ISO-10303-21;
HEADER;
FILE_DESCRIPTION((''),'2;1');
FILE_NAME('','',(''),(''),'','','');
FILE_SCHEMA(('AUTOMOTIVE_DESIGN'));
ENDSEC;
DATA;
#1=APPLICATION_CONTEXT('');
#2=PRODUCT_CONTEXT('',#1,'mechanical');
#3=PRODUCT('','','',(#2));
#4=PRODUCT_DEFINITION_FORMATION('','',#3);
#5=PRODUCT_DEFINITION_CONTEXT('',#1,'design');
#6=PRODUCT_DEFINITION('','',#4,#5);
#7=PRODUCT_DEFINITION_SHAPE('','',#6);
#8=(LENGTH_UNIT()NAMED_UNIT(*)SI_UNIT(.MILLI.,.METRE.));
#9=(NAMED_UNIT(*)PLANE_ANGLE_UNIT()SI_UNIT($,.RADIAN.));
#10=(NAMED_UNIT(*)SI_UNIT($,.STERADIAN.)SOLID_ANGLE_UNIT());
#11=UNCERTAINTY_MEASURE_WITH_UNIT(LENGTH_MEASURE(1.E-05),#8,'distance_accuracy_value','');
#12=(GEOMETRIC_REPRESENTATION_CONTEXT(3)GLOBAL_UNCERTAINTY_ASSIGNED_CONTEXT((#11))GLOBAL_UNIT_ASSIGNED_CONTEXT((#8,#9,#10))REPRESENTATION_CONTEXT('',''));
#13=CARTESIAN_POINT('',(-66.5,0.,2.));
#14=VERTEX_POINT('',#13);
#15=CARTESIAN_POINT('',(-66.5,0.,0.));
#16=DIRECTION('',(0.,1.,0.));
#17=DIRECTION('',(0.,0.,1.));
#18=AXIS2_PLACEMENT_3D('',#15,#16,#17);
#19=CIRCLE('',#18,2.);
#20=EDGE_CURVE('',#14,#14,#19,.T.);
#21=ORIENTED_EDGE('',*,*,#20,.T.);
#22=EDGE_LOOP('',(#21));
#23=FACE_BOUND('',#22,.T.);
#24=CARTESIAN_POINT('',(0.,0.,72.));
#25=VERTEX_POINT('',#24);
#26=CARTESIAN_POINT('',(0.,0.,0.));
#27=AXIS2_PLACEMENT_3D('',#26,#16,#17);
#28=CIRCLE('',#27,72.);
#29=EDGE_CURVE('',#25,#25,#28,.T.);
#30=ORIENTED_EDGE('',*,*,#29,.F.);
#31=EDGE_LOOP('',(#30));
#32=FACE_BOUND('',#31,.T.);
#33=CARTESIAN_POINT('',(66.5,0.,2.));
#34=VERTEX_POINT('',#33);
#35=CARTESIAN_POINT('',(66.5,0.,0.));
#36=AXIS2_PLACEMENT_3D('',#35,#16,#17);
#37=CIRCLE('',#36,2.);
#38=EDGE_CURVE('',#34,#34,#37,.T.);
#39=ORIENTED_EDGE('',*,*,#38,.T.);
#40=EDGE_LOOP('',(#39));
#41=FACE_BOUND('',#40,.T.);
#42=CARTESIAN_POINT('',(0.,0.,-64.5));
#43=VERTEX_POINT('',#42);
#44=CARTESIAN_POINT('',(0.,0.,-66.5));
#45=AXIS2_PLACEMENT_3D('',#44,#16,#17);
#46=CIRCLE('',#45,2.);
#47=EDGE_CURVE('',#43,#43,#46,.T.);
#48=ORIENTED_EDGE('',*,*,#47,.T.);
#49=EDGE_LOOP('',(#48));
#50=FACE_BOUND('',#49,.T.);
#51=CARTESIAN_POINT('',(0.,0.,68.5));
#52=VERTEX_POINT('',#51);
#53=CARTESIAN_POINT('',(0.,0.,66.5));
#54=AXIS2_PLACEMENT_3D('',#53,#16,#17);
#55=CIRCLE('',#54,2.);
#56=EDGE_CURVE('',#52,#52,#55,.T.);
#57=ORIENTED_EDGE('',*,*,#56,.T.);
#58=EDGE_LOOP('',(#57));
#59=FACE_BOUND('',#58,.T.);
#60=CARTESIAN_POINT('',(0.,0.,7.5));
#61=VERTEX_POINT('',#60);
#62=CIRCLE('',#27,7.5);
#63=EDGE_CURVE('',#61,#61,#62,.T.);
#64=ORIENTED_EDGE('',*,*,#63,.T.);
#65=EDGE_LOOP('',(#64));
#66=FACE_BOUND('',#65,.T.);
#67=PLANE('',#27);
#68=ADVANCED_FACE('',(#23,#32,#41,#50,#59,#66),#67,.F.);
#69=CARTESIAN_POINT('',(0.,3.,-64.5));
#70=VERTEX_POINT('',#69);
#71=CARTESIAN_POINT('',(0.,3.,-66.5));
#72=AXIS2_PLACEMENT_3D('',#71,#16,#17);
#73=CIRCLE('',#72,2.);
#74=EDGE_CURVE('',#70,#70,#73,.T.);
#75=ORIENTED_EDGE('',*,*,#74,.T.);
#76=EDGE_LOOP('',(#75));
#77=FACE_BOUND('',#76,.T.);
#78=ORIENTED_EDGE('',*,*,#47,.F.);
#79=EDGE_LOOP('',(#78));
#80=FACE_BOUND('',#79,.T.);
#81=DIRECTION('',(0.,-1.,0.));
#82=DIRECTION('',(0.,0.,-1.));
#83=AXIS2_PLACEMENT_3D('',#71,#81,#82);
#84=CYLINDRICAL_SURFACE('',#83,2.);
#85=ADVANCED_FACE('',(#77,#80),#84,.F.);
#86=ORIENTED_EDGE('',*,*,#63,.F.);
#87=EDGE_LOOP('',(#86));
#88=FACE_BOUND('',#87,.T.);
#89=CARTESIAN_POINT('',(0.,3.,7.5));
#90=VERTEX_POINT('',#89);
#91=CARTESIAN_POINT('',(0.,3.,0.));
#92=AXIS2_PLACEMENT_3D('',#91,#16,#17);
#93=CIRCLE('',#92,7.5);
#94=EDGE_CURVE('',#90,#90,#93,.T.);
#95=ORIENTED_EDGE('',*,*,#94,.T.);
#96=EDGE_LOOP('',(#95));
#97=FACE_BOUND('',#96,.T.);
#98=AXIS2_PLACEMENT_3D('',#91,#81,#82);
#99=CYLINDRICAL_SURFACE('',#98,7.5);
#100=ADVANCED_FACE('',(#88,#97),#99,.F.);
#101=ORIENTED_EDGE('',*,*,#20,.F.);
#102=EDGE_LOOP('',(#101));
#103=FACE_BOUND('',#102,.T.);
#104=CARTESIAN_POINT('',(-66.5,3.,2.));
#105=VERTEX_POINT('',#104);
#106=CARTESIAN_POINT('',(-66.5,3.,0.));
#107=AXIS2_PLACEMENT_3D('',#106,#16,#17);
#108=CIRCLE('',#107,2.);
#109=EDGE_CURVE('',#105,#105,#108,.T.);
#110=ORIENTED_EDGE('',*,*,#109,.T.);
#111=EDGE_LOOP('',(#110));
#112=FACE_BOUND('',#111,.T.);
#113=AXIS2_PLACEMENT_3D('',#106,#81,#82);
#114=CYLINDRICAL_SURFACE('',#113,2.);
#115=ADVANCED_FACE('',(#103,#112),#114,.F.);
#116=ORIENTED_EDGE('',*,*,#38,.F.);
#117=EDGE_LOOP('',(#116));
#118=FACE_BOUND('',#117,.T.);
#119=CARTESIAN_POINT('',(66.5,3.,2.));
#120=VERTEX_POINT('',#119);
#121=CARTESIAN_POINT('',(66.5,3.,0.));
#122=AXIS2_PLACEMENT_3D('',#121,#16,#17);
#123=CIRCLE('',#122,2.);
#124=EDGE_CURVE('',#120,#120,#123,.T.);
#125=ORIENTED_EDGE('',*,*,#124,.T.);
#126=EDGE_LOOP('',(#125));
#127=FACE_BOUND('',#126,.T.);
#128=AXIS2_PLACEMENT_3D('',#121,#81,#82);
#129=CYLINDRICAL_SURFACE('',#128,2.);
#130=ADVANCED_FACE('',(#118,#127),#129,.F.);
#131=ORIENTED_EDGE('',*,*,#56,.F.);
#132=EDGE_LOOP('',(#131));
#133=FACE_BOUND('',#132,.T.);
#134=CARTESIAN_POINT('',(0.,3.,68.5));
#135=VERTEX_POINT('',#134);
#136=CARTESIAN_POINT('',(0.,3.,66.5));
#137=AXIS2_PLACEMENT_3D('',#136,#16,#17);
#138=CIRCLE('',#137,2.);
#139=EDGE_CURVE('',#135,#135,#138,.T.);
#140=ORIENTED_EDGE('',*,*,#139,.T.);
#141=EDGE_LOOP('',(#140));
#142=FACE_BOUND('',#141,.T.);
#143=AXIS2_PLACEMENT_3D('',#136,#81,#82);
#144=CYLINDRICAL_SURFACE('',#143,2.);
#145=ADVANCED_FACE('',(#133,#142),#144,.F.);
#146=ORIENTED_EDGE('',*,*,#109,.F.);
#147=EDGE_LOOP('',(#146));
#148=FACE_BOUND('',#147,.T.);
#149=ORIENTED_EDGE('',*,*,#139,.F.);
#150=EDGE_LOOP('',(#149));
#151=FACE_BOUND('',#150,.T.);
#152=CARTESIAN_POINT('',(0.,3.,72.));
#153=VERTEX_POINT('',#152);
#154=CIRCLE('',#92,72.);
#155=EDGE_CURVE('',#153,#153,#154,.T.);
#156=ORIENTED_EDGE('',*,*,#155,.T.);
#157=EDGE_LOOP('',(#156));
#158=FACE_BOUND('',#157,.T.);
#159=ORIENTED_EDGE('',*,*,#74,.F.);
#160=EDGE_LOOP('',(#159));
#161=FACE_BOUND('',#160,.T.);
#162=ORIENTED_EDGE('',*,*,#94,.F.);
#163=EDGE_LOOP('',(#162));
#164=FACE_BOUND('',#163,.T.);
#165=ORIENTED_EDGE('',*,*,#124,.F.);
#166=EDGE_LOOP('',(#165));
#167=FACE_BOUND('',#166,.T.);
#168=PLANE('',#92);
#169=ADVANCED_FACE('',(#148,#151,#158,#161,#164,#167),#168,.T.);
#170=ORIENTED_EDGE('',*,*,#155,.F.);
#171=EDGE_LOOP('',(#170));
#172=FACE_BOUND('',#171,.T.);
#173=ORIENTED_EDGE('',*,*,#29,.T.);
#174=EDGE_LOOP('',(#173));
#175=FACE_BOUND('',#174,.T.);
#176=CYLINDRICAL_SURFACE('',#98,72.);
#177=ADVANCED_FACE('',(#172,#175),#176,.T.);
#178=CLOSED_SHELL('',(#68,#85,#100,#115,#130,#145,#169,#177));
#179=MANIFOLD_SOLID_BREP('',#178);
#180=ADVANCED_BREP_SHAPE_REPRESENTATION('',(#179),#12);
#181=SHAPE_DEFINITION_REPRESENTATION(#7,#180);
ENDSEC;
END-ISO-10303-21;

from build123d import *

# Parameters (mm, degrees)
SKETCH2_R           = 72
SKETCH2_R_2         = 7.5
SKETCH2_R_3         = 2
BOSS_EXTRUDE1_DEPTH = 3


with BuildPart() as part:
    # Sketch2 → Boss-Extrude1 (new body)
    with BuildSketch(Plane(origin=(0, 0, 0), x_dir=(1, 0, 0), z_dir=(0, 1, 0))):
        with Locations(Location((0, 0, 0), (0, 0, 270))):
            Circle(SKETCH2_R)
        with Locations(Location((0, 0, 0), (0, 0, 270))):
            Circle(SKETCH2_R_2, mode=Mode.SUBTRACT)
        with Locations(Location((0, 66.5, 0), (0, 0, 270))):
            Circle(SKETCH2_R_3, mode=Mode.SUBTRACT)
        with Locations(Location((66.5, 0, 0), (0, 0, 270))):
            Circle(SKETCH2_R_3, mode=Mode.SUBTRACT)
        with Locations(Location((0, -66.5, 0), (0, 0, 270))):
            Circle(SKETCH2_R_3, mode=Mode.SUBTRACT)
        with Locations(Location((-66.5, 0, 0), (0, 0, 270))):
            Circle(SKETCH2_R_3, mode=Mode.SUBTRACT)
    extrude(amount=BOSS_EXTRUDE1_DEPTH)


solid = part.part
